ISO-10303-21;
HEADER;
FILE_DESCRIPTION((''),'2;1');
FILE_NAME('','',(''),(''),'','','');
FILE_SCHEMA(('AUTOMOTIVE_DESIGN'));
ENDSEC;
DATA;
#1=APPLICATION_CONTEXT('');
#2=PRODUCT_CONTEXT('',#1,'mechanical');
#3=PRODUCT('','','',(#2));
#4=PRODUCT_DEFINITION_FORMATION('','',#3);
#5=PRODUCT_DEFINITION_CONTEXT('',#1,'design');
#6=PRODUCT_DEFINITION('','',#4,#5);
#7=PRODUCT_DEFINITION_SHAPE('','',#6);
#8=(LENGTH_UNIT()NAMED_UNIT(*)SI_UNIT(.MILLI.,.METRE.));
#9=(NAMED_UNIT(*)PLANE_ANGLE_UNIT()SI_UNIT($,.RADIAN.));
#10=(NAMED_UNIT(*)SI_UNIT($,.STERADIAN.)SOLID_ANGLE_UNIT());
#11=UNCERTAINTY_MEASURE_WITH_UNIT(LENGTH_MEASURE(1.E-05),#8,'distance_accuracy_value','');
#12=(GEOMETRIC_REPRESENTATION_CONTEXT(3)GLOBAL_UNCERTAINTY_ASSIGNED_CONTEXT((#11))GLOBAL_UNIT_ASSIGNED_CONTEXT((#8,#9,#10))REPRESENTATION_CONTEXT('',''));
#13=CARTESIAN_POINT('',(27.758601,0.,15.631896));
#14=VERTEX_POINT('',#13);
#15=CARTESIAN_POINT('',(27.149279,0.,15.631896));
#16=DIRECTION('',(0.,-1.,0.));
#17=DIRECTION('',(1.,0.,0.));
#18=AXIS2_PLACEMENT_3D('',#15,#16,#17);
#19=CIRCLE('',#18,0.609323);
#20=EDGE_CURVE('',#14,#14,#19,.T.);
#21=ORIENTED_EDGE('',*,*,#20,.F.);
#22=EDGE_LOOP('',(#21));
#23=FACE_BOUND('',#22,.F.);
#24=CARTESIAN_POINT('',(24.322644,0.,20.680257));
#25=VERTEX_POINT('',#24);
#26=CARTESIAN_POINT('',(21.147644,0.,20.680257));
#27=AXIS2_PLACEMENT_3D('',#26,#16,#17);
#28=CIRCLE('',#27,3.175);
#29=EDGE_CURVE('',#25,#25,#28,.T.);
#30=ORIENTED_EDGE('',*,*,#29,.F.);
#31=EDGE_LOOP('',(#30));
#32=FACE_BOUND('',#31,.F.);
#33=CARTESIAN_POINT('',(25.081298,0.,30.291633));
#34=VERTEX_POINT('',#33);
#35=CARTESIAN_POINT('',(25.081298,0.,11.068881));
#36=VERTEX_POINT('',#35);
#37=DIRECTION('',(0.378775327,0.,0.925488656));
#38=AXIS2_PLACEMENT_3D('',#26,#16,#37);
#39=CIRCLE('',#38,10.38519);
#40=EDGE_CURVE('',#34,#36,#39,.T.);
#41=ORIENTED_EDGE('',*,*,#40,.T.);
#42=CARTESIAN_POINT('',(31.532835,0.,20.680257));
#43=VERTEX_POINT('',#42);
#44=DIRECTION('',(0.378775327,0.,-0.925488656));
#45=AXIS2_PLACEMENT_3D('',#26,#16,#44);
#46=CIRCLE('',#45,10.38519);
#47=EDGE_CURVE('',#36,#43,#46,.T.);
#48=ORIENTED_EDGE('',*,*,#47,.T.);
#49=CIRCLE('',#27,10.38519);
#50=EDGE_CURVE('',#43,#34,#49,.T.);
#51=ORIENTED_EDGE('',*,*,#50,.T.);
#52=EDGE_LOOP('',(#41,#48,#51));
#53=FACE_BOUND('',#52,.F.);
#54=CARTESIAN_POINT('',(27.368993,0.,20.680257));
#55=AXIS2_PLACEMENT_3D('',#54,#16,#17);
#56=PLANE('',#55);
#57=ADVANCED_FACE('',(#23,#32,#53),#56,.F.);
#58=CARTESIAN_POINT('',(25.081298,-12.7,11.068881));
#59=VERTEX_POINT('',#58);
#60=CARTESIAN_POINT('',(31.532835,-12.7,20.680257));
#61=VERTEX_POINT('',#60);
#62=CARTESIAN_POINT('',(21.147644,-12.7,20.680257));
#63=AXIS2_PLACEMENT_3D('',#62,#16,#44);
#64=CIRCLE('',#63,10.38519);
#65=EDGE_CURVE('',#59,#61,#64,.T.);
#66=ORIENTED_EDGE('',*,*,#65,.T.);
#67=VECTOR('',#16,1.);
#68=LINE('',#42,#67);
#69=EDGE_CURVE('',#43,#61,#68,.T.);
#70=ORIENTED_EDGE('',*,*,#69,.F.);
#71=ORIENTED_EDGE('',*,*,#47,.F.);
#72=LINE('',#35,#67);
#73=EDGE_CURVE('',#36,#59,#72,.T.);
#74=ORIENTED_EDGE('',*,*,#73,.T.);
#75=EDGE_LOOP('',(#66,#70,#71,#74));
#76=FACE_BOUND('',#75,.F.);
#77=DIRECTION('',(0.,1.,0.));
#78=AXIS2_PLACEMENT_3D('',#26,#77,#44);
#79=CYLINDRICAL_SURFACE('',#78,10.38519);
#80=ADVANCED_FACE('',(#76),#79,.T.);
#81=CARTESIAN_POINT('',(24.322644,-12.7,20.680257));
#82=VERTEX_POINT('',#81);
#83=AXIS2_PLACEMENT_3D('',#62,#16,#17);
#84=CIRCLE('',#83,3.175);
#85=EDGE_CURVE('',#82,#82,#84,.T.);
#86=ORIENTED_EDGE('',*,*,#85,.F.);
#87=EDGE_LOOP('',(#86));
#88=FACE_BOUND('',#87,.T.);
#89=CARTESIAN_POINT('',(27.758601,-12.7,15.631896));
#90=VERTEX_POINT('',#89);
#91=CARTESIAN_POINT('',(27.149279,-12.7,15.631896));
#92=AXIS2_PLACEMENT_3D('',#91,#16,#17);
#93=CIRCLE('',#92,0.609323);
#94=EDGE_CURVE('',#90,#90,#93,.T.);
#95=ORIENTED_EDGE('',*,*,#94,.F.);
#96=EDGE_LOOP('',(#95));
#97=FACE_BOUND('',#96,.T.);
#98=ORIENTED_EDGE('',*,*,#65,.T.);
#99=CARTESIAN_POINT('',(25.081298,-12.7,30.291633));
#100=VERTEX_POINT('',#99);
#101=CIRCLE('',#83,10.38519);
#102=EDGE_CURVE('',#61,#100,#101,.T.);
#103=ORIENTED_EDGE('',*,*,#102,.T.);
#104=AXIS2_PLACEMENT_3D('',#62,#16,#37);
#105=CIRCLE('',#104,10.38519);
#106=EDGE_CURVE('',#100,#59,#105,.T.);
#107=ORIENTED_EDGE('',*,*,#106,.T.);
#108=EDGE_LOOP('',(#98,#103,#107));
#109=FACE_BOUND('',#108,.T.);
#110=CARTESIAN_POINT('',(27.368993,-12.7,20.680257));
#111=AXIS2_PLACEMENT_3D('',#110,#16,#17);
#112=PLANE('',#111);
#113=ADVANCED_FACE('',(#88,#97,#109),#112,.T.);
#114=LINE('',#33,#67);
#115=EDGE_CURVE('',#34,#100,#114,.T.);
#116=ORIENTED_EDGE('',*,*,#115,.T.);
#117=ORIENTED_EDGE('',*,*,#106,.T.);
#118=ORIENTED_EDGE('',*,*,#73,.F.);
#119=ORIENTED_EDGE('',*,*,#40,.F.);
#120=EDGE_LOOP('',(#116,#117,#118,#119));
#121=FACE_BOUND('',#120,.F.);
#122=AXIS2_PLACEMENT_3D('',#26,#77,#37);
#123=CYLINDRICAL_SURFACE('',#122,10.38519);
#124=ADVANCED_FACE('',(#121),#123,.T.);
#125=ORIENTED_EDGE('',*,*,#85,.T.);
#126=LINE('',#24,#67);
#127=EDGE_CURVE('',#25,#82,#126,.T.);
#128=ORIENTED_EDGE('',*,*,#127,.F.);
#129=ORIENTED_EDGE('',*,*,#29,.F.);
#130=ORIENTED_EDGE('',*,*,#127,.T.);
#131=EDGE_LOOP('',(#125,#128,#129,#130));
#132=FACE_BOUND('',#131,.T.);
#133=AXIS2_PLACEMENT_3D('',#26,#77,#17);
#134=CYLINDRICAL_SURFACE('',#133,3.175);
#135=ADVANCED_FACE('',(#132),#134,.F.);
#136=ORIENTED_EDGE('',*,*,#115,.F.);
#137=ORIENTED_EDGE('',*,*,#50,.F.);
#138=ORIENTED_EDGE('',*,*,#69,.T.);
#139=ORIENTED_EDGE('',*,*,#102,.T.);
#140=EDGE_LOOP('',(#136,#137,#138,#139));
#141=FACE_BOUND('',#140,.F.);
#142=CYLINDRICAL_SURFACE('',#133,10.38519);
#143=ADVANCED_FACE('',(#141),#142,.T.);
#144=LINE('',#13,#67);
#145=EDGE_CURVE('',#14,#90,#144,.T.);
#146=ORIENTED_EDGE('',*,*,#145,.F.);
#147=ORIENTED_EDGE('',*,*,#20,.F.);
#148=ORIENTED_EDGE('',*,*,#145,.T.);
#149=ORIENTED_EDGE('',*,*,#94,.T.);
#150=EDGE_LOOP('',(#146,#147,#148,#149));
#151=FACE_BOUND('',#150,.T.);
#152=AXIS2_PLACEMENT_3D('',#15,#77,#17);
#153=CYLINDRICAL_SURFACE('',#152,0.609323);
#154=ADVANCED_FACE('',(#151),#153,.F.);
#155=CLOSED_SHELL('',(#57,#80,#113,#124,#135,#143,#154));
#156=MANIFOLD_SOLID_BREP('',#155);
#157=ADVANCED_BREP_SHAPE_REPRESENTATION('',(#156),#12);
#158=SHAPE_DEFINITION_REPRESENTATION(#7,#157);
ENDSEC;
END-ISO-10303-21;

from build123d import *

# Parameters (mm, degrees)
F0_R     = 0.6093226382
F0_R_2   = 3.175
F1_DEPTH = 12.7


with BuildPart() as f1:
    # F0 (on Front) → F1 (new body)
    with BuildSketch(Plane.XZ):
        with BuildLine():
            ThreePointArc((31.5328345598, 20.6802571494), (29.770402539, 26.4681944004), (25.0812980369, 30.2916330645))
            Line((25.0812980369, 30.2916330645), (25.0812980369, 11.0688812343))
            ThreePointArc((25.0812980369, 11.0688812343), (29.770402539, 14.8923198983), (31.5328345598, 20.6802571494))
        make_face()
        with Locations((27.1492786705, 15.6318955123)):
            Circle(F0_R, mode=Mode.SUBTRACT)
        with BuildLine():
            Line((25.0812980369, 11.0688812343), (25.0812980369, 30.2916330645))
            ThreePointArc((25.0812980369, 30.2916330645), (10.7624537347, 20.6802571494), (25.0812980369, 11.0688812343))
        make_face()
        with Locations((21.1476441473, 20.6802571494)):
            Circle(F0_R_2, mode=Mode.SUBTRACT)
    extrude(amount=F1_DEPTH)


solid = f1.part
